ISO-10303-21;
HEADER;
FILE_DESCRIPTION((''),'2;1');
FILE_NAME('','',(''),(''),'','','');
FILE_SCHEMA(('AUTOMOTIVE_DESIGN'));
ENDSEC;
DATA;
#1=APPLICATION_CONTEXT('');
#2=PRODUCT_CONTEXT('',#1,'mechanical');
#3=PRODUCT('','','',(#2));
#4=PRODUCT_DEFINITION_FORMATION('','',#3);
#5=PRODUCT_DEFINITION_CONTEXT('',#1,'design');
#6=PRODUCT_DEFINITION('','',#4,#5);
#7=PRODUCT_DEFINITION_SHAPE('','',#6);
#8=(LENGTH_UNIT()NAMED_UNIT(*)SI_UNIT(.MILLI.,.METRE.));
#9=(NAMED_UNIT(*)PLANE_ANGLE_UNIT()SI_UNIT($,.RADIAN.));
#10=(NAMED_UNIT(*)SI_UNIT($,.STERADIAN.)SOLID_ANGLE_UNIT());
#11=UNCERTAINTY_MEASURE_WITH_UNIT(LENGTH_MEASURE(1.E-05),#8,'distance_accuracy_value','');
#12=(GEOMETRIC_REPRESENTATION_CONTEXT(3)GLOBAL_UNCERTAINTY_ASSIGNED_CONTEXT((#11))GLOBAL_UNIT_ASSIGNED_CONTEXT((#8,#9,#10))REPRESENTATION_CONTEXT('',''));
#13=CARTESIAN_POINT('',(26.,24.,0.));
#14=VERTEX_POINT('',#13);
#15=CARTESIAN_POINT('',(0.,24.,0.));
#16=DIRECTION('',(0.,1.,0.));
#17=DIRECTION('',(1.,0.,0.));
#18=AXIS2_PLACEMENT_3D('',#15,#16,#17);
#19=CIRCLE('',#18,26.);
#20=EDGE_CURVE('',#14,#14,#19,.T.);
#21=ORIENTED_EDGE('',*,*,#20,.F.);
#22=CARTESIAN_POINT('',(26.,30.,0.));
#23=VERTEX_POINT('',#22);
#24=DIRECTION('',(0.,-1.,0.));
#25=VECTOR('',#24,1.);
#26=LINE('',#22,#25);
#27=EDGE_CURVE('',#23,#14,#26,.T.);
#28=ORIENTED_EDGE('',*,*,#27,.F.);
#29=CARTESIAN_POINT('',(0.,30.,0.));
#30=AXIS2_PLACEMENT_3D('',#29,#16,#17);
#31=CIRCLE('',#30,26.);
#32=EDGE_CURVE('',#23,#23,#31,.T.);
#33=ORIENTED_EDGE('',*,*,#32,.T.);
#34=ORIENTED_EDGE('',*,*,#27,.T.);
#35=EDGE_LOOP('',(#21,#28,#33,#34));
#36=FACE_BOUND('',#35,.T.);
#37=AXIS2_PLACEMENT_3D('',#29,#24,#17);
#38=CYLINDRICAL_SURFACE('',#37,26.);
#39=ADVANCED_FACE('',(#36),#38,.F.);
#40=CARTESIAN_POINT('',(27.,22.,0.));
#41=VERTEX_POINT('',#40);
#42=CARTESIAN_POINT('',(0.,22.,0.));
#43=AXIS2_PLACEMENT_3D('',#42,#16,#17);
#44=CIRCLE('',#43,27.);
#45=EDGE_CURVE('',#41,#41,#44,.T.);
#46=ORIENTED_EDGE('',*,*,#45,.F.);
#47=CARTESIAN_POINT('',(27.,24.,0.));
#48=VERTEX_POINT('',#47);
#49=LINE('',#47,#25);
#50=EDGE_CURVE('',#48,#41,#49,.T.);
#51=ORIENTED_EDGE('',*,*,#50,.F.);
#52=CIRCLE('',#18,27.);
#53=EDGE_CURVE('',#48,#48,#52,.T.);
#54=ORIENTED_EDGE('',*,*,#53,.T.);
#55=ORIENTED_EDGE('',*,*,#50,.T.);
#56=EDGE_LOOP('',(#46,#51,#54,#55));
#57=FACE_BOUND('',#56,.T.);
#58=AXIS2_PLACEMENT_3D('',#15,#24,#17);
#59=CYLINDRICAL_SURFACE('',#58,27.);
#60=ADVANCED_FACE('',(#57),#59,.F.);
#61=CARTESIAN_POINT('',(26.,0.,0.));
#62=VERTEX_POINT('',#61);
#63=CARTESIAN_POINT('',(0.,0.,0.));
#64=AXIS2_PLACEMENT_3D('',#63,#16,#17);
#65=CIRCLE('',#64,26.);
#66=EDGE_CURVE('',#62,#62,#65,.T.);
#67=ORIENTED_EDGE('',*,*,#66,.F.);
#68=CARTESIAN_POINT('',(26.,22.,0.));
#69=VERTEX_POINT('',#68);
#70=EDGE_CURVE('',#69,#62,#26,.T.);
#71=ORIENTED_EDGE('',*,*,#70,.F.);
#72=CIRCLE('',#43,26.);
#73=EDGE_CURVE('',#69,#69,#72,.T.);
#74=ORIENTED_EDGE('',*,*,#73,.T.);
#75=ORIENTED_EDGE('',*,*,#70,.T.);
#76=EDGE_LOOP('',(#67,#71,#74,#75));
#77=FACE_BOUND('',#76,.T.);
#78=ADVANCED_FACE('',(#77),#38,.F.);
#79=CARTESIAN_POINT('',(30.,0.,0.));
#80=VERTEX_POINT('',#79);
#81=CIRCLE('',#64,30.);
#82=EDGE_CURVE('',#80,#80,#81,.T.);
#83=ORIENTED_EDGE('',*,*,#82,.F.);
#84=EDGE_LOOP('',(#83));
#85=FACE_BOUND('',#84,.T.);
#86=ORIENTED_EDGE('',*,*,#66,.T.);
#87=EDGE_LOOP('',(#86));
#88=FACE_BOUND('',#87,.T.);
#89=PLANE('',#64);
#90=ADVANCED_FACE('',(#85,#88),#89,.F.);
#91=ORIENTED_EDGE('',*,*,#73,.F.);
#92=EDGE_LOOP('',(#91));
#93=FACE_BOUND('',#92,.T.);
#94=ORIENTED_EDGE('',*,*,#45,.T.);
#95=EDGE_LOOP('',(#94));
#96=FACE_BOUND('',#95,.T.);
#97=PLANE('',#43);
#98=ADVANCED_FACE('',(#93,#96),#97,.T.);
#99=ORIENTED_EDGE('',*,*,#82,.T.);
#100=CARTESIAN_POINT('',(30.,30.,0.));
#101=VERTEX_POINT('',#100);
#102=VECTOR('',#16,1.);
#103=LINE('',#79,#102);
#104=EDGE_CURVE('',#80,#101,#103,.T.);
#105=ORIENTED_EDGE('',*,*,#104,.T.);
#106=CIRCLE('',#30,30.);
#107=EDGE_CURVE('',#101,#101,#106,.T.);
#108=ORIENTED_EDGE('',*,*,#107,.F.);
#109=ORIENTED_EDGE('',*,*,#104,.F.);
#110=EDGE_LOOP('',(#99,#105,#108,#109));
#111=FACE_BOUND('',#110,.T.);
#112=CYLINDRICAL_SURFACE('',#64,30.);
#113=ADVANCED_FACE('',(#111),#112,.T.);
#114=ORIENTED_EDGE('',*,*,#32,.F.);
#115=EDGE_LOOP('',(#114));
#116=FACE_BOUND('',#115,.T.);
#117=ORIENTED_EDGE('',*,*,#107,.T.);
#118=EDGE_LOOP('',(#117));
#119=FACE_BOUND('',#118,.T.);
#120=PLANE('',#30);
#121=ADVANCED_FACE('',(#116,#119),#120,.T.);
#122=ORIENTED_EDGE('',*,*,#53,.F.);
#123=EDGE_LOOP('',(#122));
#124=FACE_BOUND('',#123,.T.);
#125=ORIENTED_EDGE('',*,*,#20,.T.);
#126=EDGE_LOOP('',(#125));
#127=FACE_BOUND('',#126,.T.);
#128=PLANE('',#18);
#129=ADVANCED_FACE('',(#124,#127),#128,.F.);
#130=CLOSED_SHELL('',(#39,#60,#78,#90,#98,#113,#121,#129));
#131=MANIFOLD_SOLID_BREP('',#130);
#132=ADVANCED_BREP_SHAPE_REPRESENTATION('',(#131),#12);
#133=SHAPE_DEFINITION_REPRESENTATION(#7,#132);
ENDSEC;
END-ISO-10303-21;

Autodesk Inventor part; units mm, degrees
ref_plane "YZ Plane" through (0, 0, 0) normal (1, 0, 0) x (0, 1, 0)
ref_plane "XZ Plane" through (0, 0, 0) normal (0, 1, 0) x (-1, 0, 0)
ref_plane "XY Plane" through (0, 0, 0) normal (0, 0, 1) x (1, 0, 0)
sketch "Sketch1" plane through (0, 0, 0) normal (0, 0, 1) x (1, 0, 0)
  line L0 (26, 0) -> (30, 0)
  line L1 (30, 0) -> (30, 30)
  line L2 (30, 30) -> (26, 30)
  line L3 (26, 30) -> (26, 0)
  line L4 (0, 0) -> (0, 24.4702) construction
  line L5 (26, 24) -> (27, 24)
  line L6 (27, 24) -> (27, 22)
  line L7 (27, 22) -> (26, 22)
  line L8 (26, 22) -> (26, 24)
  point P0 (28, 0)
  point P1 (26, 22)
  dimension "d0" = 4
  dimension "d1" = 30
  dimension "d2" = 52
  dimension "d4" = 2
  dimension "d5" = 6
  dimension "d6" = 1
revolve "Revolution1" add sketch "Sketch1" angle 360 about axis through (0, 0, 0) along (0, 1, 0) contours L3 L7 L6 L5 L2 L1 L0
properties part number "TRM 042 flange tube"
